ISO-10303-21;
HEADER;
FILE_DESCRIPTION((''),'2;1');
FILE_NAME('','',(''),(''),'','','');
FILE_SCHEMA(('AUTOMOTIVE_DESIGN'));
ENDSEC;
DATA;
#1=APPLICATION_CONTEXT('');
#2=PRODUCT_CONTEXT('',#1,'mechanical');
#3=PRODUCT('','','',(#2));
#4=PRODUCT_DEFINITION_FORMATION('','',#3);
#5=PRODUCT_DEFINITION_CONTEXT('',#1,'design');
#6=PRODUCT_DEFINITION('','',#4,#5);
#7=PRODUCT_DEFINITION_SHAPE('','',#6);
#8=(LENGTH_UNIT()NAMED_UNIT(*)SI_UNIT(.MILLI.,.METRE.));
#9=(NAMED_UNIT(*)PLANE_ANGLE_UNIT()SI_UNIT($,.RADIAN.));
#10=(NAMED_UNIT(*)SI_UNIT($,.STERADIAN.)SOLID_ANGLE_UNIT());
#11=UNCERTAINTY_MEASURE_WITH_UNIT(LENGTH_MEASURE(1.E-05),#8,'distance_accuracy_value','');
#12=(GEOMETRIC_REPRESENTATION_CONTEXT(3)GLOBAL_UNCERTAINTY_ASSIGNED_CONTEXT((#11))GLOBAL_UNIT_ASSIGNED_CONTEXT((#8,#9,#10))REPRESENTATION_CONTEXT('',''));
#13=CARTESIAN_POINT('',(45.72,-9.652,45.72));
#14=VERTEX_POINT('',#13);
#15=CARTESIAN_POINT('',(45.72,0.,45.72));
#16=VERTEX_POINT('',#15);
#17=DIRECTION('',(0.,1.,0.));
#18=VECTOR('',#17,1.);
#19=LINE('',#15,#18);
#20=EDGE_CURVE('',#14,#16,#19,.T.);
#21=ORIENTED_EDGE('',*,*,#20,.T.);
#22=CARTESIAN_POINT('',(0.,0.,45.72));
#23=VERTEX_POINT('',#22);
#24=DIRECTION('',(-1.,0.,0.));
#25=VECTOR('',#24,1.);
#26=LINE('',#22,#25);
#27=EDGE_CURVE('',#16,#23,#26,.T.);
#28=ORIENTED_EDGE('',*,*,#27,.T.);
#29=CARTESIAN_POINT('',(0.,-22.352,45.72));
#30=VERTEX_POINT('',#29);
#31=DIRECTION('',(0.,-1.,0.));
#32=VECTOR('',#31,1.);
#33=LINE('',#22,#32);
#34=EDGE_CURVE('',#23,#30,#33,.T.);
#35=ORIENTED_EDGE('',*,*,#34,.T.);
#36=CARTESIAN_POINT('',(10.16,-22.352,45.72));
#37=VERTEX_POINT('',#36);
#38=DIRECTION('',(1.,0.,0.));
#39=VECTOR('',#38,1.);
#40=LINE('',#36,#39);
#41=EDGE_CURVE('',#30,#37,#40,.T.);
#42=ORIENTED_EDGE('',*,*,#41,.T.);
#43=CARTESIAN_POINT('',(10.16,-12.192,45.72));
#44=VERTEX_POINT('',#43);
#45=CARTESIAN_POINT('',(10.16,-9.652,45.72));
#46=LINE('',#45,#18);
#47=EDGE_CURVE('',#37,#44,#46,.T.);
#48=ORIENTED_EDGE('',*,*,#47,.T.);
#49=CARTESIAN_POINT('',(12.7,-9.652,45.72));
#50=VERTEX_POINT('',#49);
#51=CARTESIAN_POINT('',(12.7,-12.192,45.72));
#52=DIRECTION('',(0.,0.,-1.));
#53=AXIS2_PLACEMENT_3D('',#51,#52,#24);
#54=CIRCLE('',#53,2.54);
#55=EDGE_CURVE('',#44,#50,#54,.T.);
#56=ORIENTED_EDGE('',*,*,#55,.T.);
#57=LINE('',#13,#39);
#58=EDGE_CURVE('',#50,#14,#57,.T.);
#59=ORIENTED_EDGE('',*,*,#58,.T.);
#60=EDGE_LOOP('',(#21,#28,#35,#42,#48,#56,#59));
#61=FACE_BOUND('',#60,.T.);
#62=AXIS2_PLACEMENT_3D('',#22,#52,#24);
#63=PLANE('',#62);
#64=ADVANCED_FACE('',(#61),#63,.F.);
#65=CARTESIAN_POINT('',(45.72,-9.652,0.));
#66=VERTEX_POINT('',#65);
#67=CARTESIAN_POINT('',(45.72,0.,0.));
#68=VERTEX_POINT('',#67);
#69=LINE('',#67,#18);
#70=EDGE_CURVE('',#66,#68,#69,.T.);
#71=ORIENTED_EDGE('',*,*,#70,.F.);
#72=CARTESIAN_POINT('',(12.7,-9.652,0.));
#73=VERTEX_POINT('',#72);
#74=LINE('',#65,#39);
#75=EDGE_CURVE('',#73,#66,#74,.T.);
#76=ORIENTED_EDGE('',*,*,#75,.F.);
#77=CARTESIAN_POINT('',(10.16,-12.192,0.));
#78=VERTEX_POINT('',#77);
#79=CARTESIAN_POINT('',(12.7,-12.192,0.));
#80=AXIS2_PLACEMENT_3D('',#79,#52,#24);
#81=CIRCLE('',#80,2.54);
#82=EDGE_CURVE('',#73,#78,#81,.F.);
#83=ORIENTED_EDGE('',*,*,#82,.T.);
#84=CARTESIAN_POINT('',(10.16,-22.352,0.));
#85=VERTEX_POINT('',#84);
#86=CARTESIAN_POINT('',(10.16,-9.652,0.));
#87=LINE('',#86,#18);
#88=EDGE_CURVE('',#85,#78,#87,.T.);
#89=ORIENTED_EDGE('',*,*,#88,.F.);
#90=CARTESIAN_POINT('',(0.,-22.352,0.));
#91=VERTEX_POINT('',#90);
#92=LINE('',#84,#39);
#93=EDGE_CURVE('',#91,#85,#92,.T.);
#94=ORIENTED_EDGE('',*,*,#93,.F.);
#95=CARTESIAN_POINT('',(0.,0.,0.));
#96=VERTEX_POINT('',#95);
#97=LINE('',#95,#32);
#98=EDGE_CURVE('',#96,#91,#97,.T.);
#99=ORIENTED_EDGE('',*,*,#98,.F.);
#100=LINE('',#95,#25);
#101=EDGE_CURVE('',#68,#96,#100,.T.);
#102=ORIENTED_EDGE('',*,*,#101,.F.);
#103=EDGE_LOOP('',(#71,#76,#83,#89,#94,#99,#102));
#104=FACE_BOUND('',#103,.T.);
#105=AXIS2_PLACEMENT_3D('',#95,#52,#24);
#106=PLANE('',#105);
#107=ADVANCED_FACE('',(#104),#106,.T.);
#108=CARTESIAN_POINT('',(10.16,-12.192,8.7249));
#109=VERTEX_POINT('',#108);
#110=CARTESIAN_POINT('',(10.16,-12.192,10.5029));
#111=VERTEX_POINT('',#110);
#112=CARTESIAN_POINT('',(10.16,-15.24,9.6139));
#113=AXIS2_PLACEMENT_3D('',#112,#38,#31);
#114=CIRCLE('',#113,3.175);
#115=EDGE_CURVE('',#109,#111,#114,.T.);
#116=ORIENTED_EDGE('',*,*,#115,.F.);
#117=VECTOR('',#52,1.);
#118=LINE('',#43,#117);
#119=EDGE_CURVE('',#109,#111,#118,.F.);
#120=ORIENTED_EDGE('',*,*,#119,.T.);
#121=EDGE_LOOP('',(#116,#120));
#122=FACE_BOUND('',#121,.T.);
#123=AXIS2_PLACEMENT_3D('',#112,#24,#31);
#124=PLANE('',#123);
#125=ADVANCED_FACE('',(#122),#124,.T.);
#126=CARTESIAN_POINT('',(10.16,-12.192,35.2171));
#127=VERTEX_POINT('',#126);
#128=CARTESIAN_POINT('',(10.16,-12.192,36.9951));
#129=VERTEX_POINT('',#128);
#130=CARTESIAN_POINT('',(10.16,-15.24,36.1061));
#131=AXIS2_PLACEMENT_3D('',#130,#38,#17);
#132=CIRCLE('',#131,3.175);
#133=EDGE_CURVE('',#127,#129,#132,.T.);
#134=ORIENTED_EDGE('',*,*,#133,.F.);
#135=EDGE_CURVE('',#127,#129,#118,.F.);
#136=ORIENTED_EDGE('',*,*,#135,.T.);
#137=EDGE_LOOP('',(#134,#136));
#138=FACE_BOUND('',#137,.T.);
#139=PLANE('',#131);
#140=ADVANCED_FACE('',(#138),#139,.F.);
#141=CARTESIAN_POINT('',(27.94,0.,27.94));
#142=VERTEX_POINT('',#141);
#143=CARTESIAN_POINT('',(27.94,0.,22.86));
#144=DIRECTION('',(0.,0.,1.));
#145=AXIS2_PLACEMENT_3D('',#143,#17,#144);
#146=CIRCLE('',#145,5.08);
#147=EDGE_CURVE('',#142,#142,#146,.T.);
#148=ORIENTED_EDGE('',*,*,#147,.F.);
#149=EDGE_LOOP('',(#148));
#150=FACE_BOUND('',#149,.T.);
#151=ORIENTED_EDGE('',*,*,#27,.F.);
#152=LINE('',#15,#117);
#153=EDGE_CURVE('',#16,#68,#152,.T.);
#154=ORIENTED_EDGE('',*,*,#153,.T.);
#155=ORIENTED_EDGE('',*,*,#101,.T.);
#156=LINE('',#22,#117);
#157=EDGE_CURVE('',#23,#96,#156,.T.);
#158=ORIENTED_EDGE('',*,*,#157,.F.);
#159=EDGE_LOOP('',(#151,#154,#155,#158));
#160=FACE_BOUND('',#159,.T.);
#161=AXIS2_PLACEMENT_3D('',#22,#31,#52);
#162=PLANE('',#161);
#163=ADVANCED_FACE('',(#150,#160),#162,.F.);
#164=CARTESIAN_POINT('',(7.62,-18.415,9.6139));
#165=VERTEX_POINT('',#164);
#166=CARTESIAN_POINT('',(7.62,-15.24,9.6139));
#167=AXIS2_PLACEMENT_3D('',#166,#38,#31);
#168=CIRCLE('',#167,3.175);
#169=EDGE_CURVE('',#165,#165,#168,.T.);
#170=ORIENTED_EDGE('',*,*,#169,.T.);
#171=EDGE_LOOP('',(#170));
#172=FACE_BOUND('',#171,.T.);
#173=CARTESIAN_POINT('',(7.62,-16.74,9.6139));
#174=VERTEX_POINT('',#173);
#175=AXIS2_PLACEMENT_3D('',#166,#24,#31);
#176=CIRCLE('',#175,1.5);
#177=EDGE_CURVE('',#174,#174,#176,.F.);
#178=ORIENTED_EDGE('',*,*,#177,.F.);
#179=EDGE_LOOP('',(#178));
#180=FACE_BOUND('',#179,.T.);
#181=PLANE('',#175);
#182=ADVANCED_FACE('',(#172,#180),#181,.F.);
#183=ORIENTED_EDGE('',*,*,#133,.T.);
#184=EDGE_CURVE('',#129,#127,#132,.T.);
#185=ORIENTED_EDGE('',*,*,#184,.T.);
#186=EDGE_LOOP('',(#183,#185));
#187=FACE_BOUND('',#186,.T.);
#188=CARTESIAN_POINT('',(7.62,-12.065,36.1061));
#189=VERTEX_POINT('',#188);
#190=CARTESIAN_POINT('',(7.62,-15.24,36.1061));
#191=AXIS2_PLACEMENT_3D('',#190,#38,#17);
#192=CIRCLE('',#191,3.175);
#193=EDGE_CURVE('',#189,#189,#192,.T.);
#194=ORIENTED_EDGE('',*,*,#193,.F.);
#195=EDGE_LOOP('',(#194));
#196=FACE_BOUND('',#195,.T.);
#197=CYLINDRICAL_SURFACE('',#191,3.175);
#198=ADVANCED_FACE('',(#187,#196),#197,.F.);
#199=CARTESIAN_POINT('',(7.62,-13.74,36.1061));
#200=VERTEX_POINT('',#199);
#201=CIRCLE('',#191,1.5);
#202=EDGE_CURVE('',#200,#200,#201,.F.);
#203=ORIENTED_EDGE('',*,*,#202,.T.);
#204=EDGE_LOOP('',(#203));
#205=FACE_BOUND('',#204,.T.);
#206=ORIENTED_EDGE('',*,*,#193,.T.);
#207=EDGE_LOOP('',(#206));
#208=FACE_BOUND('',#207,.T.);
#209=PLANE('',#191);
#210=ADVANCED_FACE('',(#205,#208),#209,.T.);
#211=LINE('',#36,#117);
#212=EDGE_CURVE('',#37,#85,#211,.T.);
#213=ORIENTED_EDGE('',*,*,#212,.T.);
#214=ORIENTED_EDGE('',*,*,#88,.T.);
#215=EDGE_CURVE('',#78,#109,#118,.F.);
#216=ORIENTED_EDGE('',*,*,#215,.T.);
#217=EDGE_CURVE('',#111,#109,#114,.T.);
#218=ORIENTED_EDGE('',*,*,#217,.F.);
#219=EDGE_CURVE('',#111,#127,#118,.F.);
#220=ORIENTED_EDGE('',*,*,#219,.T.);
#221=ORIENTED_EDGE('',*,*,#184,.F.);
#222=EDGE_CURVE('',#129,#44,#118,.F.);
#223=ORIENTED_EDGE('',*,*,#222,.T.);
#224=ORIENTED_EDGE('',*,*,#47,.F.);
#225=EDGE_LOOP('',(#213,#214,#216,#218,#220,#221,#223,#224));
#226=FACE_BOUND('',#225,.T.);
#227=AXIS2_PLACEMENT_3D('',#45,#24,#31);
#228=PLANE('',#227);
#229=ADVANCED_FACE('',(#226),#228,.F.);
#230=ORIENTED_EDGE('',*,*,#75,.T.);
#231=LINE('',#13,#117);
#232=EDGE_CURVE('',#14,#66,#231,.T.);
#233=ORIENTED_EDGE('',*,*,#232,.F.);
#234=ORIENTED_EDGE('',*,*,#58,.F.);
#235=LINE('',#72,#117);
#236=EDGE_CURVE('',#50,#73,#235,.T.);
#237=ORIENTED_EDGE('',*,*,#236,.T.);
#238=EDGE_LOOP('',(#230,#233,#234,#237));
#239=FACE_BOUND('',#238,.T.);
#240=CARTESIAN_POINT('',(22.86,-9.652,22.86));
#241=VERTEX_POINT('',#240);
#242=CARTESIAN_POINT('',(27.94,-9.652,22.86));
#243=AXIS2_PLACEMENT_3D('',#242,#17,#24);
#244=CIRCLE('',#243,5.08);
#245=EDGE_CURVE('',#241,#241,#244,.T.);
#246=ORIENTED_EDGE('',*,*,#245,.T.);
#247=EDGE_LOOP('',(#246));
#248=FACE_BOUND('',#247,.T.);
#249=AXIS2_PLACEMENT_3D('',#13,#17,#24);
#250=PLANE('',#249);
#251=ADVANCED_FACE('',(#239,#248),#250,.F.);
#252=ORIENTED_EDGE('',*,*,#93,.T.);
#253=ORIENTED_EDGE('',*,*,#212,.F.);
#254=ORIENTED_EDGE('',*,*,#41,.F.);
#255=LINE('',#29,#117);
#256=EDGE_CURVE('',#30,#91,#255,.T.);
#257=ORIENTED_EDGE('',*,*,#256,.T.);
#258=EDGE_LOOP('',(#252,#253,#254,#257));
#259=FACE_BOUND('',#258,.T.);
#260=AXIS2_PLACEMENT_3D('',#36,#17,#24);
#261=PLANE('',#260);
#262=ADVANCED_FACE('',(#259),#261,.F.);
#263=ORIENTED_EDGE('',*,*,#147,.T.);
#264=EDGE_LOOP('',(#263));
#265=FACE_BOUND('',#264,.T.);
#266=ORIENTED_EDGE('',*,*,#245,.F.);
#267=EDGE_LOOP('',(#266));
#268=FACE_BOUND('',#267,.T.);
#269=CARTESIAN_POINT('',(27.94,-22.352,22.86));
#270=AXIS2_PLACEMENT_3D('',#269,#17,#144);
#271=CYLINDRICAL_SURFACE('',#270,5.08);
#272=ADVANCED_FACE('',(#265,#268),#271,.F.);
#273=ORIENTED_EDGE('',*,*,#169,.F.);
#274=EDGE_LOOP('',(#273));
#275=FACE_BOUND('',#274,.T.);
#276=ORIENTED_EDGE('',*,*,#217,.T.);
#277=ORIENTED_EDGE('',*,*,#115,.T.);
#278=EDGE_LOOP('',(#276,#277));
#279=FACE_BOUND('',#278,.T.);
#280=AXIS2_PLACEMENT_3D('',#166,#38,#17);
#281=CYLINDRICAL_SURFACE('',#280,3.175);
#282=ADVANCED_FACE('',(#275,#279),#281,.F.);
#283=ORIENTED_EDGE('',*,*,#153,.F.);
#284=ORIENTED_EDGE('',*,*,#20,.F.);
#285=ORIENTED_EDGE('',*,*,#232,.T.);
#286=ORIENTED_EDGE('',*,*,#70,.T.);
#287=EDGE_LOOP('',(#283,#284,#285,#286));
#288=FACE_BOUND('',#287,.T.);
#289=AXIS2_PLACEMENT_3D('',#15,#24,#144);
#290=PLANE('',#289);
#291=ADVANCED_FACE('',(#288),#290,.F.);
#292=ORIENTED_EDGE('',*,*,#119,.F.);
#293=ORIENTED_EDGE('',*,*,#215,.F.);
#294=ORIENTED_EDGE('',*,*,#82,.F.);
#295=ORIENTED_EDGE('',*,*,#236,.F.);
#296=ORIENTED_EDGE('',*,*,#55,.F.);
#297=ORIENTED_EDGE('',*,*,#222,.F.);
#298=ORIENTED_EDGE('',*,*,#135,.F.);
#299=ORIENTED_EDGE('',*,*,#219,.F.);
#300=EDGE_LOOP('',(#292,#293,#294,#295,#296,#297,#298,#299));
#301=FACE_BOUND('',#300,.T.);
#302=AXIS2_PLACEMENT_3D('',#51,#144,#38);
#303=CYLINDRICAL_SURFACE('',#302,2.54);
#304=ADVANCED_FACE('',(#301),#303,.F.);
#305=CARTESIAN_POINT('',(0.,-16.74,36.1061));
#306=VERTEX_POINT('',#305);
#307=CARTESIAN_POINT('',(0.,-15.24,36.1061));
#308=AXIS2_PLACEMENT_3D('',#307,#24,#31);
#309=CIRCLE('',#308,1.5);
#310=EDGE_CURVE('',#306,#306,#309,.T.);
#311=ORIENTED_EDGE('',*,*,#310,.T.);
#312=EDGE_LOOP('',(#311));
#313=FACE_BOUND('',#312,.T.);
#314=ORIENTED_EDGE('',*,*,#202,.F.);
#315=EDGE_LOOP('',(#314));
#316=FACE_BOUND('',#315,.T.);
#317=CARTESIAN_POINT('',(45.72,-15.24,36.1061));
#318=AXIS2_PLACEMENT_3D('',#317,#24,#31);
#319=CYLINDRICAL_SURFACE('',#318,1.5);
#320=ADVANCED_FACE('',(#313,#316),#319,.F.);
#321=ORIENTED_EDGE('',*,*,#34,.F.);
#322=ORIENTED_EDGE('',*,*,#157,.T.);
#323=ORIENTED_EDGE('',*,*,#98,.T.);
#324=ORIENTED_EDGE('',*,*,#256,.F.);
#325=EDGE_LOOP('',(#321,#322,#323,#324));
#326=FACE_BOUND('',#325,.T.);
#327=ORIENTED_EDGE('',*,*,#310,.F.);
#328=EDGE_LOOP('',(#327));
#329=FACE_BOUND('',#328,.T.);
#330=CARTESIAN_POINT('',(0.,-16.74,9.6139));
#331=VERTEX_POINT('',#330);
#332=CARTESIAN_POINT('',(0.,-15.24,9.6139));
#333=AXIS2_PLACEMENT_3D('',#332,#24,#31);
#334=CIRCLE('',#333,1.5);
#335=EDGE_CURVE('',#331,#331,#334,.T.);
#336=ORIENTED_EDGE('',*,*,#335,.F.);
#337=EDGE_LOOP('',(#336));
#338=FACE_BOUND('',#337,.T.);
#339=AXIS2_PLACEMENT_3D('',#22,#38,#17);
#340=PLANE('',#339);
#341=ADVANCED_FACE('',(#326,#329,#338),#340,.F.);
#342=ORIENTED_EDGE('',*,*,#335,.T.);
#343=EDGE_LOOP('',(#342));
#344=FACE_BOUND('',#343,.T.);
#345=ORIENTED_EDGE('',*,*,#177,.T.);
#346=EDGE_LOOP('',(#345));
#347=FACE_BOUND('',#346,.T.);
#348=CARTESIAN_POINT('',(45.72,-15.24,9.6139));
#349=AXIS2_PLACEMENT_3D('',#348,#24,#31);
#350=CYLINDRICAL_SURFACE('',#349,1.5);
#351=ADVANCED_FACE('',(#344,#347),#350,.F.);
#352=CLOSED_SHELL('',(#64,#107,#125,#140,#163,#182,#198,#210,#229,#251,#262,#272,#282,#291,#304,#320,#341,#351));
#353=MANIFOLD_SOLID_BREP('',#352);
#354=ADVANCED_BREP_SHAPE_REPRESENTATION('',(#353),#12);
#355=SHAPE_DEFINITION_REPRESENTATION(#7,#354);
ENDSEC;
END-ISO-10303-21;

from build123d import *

# Parameters (mm, degrees)
BOSS_EXTRUDE1_DEPTH = 45.72
SKETCH2_R           = 1.5
CUT_EXTRUDE1_DEPTH  = 45.72
FILLET1_R           = 2.54
SKETCH11_R          = 3.175
CUT_EXTRUDE5_DEPTH  = 2.54
SKETCH12_R          = 5.08
CUT_EXTRUDE6_DEPTH  = 69.412343214


with BuildPart() as part:
    # Sketch1 → Boss-Extrude1 (new body)
    with BuildSketch(Plane.XY):
        Polygon((0, 0), (0, -22.352), (10.16, -22.352), (10.16, -9.652), (45.72, -9.652), (45.72, 0), align=None)
    extrude(amount=BOSS_EXTRUDE1_DEPTH)

    # Sketch2 → Cut-Extrude1 (cut)
    with BuildSketch(Plane.ZY):
        with Locations((9.6139, -15.24)):
            Circle(SKETCH2_R)
        with Locations((36.1061, -15.24)):
            Circle(SKETCH2_R)
    extrude(amount=-CUT_EXTRUDE1_DEPTH, mode=Mode.SUBTRACT)

    # Fillet1
    fillet1_edges = [part.edges().sort_by_distance(p)[0] for p in [
        (10.16, -9.652, 22.86),
    ]]
    fillet(fillet1_edges, radius=FILLET1_R)

    # Sketch11 → Cut-Extrude5 (cut)
    with BuildSketch(Plane(origin=(10.16, 0, 0), x_dir=(0, 0, -1), z_dir=(1, 0, 0))):
        with Locations((-36.1061, -15.24)):
            Circle(SKETCH11_R)
        with Locations((-9.6139, -15.24)):
            Circle(SKETCH11_R)
    extrude(amount=-CUT_EXTRUDE5_DEPTH, mode=Mode.SUBTRACT)

    # Sketch12 → Cut-Extrude6 (cut, through all)
    with BuildSketch(Plane(origin=(0, 0, 0), x_dir=(1, 0, 0), z_dir=(0, 1, 0))):
        with Locations((27.94, -22.86)):
            Circle(SKETCH12_R)
    extrude(amount=-CUT_EXTRUDE6_DEPTH, mode=Mode.SUBTRACT)


solid = part.part
